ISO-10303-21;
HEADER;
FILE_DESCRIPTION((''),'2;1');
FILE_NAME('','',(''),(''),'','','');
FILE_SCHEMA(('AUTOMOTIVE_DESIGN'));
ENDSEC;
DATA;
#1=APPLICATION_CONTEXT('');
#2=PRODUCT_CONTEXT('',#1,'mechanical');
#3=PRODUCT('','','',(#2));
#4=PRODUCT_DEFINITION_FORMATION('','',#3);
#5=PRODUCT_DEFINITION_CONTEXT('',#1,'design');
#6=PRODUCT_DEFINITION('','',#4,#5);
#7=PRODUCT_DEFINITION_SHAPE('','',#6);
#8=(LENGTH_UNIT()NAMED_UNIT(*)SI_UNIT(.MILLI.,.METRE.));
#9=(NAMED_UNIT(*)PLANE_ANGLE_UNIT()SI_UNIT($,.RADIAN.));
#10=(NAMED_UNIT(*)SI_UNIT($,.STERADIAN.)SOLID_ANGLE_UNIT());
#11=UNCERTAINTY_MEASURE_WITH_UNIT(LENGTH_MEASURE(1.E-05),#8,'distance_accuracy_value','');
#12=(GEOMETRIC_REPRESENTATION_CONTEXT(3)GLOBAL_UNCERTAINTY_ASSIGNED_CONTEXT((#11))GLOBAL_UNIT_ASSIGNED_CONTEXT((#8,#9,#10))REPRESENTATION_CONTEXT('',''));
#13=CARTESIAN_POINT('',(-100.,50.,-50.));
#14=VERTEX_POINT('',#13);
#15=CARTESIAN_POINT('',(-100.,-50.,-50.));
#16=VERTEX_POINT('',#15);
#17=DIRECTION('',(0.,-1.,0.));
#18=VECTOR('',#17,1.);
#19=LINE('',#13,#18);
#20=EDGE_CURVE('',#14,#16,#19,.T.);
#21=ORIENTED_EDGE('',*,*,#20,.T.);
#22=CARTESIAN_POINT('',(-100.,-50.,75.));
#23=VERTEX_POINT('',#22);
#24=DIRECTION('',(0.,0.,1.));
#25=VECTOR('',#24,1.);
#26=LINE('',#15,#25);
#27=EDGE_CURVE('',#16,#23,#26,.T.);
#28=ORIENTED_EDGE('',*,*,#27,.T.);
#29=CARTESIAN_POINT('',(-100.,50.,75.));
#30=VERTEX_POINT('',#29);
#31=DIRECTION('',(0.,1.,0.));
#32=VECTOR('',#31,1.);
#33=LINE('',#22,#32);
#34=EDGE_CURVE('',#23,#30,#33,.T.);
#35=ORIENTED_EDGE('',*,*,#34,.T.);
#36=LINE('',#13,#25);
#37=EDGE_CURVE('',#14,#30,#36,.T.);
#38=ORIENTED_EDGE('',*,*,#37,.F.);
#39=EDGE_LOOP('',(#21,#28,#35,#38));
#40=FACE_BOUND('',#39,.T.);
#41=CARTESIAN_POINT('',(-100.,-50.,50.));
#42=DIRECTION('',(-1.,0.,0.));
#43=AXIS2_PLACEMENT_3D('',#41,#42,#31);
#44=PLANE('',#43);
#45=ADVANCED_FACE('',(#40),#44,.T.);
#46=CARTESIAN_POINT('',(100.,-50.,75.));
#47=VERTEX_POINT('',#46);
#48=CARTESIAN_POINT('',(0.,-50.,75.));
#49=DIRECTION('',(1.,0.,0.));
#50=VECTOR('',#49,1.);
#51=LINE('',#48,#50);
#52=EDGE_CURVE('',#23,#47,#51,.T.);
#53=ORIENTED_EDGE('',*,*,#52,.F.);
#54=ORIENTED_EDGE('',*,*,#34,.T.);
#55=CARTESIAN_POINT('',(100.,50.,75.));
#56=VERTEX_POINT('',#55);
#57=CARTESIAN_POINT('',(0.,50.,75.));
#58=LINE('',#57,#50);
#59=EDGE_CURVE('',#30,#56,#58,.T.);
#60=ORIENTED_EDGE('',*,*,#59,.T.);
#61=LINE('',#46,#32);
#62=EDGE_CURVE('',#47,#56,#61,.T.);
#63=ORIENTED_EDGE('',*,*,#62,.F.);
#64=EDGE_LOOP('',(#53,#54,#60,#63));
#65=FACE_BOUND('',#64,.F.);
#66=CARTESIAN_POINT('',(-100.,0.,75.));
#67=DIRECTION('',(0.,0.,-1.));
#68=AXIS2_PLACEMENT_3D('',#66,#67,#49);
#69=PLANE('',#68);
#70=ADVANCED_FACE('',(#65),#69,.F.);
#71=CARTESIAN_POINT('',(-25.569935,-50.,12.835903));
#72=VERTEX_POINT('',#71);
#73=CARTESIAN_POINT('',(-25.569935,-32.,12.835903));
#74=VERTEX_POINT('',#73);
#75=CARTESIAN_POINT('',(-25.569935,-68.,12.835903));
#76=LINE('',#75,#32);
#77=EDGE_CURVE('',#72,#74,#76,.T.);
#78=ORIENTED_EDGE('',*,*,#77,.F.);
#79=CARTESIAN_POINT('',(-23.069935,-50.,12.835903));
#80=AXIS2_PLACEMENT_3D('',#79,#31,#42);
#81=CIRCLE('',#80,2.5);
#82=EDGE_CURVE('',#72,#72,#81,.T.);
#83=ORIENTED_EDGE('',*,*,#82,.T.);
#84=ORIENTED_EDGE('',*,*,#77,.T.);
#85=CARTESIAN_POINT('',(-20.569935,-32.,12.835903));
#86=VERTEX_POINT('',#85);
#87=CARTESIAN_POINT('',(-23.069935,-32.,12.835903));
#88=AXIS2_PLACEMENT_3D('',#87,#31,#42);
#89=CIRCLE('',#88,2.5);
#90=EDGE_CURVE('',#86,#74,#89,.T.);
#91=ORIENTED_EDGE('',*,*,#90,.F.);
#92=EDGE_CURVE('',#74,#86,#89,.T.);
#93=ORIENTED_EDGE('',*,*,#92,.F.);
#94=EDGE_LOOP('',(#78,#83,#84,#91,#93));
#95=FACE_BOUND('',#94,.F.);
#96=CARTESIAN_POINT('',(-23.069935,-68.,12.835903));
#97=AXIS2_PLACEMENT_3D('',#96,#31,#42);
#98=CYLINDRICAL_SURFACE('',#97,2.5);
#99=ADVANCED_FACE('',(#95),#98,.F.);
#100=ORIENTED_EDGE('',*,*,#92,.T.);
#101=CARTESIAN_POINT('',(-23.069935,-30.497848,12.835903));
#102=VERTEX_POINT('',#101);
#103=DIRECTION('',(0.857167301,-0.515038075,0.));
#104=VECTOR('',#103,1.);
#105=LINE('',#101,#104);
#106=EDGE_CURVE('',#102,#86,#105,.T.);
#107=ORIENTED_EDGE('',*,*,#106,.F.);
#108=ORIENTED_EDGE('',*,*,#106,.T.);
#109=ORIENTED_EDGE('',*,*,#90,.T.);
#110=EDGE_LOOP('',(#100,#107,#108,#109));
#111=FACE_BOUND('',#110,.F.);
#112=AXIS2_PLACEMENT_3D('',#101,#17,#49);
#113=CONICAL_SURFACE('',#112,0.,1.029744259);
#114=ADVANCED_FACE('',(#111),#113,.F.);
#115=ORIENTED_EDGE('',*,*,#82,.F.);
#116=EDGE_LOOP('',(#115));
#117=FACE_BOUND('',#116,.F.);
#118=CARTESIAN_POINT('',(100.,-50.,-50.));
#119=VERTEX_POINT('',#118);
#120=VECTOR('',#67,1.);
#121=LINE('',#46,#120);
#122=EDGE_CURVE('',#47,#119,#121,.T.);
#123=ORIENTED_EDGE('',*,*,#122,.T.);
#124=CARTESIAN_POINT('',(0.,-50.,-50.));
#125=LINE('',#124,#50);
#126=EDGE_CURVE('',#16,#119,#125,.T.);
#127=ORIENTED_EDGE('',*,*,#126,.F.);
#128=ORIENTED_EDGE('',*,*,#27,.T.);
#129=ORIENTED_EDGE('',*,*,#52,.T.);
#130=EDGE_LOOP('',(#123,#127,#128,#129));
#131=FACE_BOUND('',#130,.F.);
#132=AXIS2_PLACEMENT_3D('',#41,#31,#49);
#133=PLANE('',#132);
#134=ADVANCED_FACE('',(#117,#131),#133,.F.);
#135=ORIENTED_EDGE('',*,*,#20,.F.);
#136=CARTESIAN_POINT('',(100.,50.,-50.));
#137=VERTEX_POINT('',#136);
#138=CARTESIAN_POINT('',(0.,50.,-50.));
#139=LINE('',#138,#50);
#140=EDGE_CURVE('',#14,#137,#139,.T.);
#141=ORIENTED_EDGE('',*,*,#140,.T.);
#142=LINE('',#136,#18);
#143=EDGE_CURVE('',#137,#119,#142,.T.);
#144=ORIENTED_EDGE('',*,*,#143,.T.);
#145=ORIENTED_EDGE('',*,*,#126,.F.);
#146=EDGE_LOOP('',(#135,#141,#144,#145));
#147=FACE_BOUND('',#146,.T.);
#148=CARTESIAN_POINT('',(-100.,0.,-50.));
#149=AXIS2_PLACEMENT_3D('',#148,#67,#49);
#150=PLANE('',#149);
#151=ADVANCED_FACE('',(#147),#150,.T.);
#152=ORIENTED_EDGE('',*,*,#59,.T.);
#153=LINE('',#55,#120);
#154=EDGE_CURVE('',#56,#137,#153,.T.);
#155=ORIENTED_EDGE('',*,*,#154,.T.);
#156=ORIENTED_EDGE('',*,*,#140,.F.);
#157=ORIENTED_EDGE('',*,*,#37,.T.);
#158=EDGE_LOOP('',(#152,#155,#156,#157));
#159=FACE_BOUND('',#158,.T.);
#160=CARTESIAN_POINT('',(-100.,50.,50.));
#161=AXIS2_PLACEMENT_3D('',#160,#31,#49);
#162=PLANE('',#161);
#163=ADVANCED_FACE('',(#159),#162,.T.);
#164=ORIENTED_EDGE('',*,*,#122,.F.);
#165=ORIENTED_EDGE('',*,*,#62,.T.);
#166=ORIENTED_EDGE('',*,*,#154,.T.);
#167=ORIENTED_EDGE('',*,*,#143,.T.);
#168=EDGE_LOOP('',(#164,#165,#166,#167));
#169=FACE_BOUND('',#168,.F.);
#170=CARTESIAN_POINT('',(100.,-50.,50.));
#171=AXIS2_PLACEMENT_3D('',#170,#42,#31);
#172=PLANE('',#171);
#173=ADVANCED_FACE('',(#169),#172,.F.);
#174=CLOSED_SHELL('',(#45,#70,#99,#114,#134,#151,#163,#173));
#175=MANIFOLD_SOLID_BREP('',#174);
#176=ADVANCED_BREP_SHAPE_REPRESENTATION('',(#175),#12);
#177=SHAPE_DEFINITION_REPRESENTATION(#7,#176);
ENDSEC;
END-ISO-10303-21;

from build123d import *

# Parameters (mm, degrees)
F0_W     = 200
F0_H     = 100
F1_DEPTH = 50
F3_D     = 5
F3_DEPTH = 18
F3_TIP   = 1.5021515476
F4_DEPTH = 25


with BuildPart() as f1:
    # F0 (on Front) → F1 (new body, symmetric)
    with BuildSketch(Plane.XZ):
        Rectangle(F0_W, F0_H)
    extrude(amount=F1_DEPTH, both=True)

    # F3
    with Locations(Plane.XZ.offset(50)):
        with Locations((-23.0699349195, 12.8359030932)):
            Hole(F3_D / 2, depth=F3_DEPTH)
            with Locations((0, 0, -(F3_DEPTH + F3_TIP / 2))):  # 118° drill point
                Cone(0, F3_D / 2, F3_TIP, mode=Mode.SUBTRACT)

    # F4 (add): a face of the model
    f4_faces = [f1.faces().sort_by_distance(p)[0] for p in [
        (0, 0, 50),
    ]]
    extrude(f4_faces, amount=F4_DEPTH)


solid = f1.part
